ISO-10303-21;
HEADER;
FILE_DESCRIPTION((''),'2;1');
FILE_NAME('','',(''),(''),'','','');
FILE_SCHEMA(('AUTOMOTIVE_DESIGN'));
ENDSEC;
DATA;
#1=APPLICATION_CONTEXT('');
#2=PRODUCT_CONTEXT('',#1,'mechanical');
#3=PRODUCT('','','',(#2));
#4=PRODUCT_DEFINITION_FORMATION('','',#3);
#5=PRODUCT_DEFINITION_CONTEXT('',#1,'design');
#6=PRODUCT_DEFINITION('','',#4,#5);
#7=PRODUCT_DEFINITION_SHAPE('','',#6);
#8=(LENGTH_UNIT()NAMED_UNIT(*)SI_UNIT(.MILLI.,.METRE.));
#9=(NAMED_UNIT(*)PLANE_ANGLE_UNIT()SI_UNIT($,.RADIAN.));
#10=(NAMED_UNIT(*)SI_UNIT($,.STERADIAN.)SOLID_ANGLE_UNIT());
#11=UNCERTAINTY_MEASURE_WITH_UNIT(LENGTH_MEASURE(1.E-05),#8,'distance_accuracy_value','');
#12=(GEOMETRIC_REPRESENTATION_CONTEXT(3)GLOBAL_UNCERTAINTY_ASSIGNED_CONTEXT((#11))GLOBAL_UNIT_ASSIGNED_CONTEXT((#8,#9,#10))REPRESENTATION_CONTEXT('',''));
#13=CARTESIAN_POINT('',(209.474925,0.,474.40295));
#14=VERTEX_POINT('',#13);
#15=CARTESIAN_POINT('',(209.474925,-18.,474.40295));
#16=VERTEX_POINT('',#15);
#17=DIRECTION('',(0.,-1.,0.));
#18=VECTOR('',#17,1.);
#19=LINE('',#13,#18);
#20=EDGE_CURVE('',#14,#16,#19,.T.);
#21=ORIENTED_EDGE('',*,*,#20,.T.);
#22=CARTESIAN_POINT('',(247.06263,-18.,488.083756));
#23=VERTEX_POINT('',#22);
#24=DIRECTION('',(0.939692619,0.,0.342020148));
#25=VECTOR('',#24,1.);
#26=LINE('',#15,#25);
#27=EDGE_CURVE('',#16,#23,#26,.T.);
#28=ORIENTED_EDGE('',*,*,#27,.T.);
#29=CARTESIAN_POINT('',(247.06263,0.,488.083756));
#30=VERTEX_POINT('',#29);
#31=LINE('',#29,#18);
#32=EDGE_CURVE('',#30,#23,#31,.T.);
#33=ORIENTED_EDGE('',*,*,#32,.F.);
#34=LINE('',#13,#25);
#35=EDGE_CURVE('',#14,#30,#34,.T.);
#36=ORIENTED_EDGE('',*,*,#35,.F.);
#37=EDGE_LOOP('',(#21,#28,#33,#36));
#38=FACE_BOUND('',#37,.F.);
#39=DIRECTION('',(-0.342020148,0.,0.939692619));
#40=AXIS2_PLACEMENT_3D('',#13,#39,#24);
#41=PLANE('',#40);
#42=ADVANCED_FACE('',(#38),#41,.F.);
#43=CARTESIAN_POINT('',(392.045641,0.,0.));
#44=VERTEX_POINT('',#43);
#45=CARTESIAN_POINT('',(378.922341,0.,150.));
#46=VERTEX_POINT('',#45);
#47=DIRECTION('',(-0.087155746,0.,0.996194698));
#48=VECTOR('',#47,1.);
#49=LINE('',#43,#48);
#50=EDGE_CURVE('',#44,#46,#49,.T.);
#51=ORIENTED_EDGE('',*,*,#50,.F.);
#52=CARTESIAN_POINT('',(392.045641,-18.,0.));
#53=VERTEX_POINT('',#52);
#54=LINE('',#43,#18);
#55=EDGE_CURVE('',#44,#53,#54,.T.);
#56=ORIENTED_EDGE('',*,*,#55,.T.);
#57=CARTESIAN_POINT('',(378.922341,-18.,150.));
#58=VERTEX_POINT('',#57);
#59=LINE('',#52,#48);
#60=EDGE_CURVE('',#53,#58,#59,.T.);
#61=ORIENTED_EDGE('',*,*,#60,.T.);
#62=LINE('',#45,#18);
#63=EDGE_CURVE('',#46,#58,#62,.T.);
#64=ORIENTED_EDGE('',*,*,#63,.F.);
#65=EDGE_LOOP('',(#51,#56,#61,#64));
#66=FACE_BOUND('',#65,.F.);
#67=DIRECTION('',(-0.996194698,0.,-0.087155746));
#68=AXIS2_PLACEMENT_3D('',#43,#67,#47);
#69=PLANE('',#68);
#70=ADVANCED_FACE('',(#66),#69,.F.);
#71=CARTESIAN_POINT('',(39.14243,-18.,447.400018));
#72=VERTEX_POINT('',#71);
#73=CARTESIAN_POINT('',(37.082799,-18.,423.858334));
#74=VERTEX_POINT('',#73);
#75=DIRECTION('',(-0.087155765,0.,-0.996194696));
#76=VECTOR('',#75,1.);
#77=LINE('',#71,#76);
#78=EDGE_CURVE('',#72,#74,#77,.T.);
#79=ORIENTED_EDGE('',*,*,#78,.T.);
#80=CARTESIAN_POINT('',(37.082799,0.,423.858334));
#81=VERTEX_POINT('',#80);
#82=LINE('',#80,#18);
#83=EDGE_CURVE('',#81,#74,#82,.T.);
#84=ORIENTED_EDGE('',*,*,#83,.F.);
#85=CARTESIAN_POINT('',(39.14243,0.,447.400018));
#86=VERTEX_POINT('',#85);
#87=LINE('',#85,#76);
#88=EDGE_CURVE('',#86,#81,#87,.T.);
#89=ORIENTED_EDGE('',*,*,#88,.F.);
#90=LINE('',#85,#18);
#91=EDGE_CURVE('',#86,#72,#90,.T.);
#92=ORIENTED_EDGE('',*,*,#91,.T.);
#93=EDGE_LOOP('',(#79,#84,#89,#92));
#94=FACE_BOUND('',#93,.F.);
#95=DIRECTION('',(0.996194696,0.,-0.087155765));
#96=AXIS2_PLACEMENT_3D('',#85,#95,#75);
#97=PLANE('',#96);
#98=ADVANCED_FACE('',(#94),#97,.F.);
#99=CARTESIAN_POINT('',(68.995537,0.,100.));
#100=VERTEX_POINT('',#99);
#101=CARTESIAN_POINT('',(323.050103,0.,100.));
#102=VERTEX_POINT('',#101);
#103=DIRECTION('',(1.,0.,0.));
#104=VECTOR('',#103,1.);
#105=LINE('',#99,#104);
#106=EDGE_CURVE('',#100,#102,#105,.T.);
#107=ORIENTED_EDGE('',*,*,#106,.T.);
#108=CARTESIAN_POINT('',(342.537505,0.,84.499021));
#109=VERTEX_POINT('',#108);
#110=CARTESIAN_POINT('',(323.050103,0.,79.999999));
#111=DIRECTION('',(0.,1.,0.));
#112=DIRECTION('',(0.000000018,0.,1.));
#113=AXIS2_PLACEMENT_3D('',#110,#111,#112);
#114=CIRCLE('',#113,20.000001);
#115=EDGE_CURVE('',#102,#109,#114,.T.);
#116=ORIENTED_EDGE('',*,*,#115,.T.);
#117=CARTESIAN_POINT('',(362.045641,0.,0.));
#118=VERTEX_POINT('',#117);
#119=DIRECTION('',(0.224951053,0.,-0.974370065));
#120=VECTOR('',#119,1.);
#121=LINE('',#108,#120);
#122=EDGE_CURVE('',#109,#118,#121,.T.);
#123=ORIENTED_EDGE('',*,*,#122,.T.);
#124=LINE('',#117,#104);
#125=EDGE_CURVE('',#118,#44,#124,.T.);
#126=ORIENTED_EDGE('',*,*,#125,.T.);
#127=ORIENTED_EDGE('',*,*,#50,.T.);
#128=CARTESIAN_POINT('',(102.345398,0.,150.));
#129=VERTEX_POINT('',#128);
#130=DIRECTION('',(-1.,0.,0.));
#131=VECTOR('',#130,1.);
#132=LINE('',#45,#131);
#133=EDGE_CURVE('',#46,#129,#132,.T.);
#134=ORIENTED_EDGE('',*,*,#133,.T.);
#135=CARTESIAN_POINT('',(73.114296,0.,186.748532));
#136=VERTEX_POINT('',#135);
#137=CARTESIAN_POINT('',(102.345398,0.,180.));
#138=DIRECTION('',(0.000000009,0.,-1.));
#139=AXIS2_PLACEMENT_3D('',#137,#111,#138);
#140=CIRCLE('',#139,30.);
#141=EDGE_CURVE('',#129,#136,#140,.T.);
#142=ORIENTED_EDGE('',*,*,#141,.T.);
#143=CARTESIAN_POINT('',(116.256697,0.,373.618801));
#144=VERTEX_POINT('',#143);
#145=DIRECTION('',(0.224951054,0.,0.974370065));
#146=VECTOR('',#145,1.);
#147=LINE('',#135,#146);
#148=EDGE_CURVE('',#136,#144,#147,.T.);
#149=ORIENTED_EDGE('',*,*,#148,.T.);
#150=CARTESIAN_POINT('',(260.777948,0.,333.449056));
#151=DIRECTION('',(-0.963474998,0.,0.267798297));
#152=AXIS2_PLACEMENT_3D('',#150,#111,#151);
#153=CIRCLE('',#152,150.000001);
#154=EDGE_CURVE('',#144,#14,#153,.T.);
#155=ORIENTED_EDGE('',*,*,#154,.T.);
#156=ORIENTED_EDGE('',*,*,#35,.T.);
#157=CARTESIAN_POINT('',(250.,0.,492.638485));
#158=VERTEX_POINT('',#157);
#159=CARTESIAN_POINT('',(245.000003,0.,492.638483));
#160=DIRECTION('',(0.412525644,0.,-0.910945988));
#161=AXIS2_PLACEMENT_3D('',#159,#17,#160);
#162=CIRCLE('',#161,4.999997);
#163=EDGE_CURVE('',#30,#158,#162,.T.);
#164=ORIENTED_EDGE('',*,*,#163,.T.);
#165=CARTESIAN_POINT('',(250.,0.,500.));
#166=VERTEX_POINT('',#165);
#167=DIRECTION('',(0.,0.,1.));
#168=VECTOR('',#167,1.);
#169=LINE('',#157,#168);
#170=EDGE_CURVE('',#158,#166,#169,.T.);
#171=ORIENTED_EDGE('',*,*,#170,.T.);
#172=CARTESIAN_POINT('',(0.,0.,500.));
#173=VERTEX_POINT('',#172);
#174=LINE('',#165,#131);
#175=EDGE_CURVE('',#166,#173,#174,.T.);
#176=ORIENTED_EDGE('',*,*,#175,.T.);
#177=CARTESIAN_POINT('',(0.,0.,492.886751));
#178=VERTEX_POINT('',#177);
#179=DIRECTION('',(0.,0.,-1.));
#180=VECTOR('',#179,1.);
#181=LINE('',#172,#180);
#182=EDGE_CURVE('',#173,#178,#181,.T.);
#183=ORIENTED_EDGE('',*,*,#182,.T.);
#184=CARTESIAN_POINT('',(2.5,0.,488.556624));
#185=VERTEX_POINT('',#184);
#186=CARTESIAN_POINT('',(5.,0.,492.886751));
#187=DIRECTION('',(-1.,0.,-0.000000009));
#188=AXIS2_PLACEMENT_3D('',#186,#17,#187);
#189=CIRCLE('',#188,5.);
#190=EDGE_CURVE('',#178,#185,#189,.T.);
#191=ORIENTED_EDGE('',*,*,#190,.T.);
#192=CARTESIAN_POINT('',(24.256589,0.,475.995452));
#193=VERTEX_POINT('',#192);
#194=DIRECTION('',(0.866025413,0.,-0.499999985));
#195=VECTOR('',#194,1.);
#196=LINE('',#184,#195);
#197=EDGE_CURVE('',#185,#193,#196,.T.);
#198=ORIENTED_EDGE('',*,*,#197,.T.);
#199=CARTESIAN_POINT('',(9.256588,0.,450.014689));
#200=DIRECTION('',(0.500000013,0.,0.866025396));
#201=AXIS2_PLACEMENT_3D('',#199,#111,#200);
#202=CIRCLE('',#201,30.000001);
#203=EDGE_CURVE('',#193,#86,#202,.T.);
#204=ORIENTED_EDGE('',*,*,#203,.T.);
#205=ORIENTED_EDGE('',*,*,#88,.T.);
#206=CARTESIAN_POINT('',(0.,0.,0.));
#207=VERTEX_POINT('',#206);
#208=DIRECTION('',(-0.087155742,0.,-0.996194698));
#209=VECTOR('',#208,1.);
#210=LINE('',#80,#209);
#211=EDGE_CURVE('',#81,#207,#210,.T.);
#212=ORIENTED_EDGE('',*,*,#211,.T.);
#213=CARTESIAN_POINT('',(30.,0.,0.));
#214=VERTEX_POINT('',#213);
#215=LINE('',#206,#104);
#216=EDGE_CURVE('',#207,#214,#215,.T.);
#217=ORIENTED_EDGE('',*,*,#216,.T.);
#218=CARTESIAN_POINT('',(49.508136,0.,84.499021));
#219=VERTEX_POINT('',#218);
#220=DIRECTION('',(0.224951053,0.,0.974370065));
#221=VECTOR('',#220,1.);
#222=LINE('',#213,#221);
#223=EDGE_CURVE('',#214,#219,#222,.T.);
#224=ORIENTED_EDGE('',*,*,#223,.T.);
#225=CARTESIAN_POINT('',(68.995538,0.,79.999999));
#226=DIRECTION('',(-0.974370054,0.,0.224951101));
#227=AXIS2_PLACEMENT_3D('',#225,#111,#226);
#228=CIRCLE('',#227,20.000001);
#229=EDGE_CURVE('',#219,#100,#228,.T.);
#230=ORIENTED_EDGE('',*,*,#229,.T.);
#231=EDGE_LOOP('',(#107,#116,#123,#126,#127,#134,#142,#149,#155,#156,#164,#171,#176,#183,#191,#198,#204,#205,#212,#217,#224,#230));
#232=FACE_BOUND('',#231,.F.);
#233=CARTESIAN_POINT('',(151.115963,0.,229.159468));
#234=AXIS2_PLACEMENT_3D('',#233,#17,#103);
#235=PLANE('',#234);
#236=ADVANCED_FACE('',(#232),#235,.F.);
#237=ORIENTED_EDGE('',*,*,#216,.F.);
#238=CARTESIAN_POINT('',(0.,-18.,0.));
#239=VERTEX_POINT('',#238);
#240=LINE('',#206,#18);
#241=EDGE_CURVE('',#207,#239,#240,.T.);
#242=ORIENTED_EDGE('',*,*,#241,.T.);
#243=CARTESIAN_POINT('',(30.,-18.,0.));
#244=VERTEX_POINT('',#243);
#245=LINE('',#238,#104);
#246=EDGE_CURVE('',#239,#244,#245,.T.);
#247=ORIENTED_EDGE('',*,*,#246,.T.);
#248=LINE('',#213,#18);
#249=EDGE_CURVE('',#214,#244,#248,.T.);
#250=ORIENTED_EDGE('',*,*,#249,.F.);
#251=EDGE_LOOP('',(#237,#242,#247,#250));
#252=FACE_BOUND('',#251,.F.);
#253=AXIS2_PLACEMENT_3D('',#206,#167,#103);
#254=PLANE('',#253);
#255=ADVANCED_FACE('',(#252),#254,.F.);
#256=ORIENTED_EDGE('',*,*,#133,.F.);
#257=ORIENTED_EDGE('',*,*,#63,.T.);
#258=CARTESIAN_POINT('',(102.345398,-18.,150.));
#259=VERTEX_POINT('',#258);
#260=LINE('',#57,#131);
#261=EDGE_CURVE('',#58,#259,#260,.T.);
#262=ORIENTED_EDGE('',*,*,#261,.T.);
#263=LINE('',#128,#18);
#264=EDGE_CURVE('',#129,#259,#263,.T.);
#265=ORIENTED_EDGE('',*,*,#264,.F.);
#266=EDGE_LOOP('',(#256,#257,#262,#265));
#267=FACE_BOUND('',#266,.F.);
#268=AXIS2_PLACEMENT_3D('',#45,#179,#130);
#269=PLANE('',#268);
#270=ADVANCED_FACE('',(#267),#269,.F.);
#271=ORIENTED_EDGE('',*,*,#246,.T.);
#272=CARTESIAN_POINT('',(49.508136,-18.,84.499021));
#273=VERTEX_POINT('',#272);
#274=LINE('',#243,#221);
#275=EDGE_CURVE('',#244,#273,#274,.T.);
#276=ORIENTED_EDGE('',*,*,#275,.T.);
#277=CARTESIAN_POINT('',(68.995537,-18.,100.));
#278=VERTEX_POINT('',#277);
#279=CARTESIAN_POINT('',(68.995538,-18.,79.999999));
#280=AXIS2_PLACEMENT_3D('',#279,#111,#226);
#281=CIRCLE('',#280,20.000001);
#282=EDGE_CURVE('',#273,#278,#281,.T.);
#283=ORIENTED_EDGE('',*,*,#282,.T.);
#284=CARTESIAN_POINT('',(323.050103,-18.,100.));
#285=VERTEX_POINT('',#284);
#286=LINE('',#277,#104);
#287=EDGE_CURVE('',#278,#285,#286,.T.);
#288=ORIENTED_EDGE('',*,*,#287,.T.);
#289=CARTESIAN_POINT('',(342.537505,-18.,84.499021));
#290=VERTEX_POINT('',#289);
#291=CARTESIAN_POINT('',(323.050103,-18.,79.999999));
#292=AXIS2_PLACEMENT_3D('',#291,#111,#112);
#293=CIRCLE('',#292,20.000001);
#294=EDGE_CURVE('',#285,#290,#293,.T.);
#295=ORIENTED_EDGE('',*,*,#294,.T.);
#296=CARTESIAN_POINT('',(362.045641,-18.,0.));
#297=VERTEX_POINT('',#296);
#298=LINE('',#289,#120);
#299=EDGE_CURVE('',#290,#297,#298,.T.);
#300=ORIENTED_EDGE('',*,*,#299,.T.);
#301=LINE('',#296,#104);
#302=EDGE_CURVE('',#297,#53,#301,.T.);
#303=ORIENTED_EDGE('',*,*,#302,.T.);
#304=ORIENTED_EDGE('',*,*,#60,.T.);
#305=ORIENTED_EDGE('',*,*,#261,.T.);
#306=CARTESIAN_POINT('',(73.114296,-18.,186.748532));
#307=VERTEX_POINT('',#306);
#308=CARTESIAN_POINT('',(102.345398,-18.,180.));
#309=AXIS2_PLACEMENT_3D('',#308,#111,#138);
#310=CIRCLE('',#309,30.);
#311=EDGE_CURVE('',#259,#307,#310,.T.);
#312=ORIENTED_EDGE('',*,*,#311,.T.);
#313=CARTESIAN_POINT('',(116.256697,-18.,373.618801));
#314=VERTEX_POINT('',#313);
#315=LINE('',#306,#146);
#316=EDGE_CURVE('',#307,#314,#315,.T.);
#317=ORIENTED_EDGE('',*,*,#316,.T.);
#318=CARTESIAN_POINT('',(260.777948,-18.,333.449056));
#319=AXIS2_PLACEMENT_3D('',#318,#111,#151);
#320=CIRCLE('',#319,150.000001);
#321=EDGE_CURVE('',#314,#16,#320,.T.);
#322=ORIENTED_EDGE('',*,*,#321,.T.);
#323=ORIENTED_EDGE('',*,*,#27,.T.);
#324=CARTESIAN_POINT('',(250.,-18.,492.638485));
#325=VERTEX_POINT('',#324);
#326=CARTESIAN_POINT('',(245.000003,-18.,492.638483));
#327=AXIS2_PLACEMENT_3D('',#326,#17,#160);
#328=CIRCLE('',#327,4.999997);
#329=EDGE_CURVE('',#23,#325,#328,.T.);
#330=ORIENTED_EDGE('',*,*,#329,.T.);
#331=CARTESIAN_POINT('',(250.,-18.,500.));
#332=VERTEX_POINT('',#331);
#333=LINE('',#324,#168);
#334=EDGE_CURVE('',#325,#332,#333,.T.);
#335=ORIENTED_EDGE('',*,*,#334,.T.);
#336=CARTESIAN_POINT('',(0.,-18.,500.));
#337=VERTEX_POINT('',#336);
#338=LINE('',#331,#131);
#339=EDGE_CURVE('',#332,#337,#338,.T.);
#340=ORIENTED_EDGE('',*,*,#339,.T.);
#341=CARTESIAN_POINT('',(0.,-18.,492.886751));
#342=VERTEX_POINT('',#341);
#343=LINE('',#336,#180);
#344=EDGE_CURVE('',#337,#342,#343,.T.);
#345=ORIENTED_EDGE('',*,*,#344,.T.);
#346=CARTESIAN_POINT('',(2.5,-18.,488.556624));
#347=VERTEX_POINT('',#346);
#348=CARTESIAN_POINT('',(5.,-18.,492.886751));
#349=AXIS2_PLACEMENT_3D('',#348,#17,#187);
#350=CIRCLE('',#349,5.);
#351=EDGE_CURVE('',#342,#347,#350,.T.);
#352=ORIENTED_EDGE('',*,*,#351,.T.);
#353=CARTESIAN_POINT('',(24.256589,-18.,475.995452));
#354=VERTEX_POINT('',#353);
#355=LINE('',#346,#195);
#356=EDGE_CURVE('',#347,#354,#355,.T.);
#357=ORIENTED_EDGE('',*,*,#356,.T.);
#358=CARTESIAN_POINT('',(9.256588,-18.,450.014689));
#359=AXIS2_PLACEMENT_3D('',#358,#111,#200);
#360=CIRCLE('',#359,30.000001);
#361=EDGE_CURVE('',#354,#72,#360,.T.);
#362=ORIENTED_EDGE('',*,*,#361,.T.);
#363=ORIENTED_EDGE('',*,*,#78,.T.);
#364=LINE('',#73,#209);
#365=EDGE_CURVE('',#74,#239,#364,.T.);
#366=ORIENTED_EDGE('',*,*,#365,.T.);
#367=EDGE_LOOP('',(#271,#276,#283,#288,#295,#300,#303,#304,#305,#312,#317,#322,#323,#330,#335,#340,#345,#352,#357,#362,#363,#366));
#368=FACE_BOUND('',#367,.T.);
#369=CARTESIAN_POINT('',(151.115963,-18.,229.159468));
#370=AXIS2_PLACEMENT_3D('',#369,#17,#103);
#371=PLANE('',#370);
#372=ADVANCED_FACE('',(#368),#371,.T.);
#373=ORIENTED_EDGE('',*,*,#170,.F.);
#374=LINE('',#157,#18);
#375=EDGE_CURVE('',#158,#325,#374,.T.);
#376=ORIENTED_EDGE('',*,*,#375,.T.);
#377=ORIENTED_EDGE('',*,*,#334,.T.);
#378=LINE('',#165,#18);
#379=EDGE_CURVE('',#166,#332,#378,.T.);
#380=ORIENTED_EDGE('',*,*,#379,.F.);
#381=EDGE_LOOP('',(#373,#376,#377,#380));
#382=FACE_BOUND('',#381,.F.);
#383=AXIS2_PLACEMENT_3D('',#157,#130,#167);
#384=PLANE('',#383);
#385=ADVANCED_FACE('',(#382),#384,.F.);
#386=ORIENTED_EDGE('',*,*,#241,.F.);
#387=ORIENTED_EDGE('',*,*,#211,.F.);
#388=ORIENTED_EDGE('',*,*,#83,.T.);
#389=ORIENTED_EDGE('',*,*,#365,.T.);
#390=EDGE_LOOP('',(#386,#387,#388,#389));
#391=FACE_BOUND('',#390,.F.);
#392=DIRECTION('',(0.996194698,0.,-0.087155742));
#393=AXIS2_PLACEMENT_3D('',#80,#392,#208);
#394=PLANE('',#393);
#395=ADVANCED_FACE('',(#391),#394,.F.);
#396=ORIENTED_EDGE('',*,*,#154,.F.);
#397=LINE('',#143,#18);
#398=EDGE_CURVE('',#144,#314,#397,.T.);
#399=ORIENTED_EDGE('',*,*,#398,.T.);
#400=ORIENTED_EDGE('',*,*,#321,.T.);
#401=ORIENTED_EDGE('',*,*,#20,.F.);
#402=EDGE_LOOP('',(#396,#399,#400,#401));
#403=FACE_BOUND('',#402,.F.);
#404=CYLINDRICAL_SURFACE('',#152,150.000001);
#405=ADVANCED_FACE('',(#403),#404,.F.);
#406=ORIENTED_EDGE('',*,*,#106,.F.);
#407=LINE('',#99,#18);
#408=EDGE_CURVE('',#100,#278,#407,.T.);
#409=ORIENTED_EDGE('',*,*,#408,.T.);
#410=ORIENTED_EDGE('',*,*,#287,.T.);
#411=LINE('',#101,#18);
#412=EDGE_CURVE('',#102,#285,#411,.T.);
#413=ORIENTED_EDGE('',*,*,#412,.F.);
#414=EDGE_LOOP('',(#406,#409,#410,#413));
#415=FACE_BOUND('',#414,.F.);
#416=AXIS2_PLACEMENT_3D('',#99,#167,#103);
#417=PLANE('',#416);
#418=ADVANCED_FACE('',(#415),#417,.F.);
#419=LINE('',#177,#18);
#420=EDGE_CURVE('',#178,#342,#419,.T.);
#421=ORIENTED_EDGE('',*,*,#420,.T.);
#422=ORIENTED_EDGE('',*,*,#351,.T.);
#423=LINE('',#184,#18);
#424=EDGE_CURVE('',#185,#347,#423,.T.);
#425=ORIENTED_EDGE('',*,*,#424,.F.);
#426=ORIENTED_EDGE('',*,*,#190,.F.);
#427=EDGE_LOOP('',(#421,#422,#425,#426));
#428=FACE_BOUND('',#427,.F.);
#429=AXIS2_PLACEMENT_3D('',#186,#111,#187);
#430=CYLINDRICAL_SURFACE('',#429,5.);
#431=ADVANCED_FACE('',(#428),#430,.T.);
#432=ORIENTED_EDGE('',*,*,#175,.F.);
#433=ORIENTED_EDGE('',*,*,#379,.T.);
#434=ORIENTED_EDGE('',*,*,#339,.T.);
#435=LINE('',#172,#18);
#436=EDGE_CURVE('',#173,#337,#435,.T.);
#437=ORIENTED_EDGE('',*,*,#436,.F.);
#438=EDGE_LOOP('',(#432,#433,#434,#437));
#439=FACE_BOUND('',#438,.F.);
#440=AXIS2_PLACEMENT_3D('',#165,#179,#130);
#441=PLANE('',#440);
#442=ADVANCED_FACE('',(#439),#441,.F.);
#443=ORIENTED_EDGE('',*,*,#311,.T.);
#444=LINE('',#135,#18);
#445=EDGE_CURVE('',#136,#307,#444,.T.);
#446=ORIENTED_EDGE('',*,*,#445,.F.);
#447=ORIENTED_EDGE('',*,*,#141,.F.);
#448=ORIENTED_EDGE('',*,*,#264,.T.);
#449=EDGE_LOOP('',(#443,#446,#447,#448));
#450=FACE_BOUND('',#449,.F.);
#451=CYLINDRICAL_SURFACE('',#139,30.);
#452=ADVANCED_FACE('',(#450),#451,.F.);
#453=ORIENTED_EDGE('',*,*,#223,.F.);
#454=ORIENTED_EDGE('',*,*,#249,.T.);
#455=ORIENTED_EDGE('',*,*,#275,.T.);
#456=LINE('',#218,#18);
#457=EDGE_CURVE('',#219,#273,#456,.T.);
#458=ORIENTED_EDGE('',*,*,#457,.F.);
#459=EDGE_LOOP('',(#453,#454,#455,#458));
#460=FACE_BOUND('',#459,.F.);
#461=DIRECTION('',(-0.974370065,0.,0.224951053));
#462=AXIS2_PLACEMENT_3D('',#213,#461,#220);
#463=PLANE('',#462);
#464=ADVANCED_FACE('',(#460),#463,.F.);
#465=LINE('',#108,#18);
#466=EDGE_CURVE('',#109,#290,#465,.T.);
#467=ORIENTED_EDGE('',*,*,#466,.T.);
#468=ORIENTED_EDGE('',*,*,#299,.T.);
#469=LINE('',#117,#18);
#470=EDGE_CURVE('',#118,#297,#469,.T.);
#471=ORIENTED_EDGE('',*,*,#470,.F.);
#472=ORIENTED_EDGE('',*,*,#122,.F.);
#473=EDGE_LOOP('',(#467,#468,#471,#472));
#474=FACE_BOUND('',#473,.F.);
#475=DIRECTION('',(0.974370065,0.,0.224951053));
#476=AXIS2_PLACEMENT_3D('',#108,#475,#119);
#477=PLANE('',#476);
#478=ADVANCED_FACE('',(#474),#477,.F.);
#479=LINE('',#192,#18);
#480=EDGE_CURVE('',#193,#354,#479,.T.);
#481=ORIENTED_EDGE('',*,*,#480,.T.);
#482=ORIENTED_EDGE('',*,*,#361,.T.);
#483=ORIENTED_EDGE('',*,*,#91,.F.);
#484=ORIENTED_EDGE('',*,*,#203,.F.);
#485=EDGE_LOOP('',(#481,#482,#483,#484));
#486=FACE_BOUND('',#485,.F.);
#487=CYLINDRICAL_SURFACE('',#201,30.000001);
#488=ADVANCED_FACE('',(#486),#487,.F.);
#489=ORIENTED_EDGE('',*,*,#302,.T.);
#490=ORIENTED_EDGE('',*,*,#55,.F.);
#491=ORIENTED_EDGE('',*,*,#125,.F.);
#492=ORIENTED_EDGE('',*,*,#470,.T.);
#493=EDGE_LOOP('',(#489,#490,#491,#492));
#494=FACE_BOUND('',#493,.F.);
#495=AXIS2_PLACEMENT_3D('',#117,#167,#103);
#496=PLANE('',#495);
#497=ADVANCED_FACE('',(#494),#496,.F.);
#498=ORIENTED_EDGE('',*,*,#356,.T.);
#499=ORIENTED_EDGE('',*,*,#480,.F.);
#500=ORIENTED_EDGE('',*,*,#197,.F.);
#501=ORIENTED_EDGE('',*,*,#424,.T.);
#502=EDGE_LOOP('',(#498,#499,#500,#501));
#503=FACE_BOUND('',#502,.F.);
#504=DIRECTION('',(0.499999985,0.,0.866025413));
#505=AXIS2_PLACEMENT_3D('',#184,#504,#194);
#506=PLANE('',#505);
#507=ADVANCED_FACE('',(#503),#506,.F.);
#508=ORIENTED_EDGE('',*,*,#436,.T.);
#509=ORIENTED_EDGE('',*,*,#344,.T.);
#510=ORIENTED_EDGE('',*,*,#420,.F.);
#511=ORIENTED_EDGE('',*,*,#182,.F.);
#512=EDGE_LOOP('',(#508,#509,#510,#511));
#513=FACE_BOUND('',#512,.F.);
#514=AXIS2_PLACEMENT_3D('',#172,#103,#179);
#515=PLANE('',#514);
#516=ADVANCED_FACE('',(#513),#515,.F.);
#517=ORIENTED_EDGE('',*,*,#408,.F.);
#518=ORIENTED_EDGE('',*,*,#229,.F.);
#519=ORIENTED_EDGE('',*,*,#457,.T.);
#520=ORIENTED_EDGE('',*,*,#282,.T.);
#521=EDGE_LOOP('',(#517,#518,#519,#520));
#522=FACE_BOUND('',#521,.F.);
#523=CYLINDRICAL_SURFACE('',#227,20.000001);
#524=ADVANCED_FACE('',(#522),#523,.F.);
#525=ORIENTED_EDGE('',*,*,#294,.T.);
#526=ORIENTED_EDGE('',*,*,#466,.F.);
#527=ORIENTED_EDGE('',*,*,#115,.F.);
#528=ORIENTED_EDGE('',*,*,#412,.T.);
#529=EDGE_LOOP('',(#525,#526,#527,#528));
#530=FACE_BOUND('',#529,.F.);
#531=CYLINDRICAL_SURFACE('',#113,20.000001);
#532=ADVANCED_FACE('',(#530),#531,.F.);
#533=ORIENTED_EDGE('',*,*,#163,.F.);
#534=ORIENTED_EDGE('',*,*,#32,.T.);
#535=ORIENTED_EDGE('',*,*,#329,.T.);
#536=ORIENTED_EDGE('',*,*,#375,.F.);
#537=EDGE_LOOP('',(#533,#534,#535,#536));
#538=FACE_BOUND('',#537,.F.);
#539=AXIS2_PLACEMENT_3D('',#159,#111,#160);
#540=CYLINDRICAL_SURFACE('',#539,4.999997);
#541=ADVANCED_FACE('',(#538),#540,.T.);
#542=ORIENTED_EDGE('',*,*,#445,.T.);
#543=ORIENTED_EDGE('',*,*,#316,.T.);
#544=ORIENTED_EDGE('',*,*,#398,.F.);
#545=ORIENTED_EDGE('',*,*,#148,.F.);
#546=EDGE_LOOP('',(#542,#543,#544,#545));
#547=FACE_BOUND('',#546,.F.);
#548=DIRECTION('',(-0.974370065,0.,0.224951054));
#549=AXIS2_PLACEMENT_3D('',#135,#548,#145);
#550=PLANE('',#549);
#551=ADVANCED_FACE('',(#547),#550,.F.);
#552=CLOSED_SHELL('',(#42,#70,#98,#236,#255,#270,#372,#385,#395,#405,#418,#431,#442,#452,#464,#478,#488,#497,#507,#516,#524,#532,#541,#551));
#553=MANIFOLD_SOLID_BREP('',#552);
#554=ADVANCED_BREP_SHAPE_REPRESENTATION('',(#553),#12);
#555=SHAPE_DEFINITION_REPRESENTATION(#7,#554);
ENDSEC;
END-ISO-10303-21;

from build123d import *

# Parameters (mm, degrees)
F1_DEPTH = 18


with BuildPart() as f1:
    # F0 (on Front) → F1 (new body)
    with BuildSketch(Plane.XZ):
        with BuildLine():
            Line((0, 0), (30, 0))
            Line((30, 0), (49.508136, 84.499021))
            ThreePointArc((49.508136, 84.499021), (56.545245, 95.652163), (68.995537, 100))
            Line((68.995537, 100), (323.050103, 100))
            ThreePointArc((323.050103, 100), (335.500396, 95.652163), (342.537505, 84.499021))
            Line((342.537505, 84.499021), (362.045641, 0))
            Line((362.045641, 0), (392.045641, 0))
            Line((392.045641, 0), (378.922341, 150))
            Line((378.922341, 150), (102.345398, 150))
            ThreePointArc((102.345398, 150), (78.867153, 161.324561), (73.114296, 186.748532))
            Line((73.114296, 186.748532), (116.256697, 373.618801))
            ThreePointArc((116.256697, 373.618801), (150.659159, 435.301168), (209.474925, 474.40295))
            Line((209.474925, 474.40295), (247.06263, 488.083756))
            ThreePointArc((247.06263, 488.083756), (249.201973, 489.928609), (250, 492.638485))
            Line((250, 492.638485), (250, 500))
            Line((250, 500), (0, 500))
            Line((0, 500), (0, 492.886751))
            ThreePointArc((0, 492.886751), (0.669873, 490.386751), (2.5, 488.556624))
            Line((2.5, 488.556624), (24.256589, 475.995452))
            ThreePointArc((24.256589, 475.995452), (35.866914, 463.867148), (39.14243, 447.400018))
            Line((39.14243, 447.400018), (37.082799, 423.858334))
            Line((37.082799, 423.858334), (0, 0))
        make_face()
    extrude(amount=F1_DEPTH)


solid = f1.part
